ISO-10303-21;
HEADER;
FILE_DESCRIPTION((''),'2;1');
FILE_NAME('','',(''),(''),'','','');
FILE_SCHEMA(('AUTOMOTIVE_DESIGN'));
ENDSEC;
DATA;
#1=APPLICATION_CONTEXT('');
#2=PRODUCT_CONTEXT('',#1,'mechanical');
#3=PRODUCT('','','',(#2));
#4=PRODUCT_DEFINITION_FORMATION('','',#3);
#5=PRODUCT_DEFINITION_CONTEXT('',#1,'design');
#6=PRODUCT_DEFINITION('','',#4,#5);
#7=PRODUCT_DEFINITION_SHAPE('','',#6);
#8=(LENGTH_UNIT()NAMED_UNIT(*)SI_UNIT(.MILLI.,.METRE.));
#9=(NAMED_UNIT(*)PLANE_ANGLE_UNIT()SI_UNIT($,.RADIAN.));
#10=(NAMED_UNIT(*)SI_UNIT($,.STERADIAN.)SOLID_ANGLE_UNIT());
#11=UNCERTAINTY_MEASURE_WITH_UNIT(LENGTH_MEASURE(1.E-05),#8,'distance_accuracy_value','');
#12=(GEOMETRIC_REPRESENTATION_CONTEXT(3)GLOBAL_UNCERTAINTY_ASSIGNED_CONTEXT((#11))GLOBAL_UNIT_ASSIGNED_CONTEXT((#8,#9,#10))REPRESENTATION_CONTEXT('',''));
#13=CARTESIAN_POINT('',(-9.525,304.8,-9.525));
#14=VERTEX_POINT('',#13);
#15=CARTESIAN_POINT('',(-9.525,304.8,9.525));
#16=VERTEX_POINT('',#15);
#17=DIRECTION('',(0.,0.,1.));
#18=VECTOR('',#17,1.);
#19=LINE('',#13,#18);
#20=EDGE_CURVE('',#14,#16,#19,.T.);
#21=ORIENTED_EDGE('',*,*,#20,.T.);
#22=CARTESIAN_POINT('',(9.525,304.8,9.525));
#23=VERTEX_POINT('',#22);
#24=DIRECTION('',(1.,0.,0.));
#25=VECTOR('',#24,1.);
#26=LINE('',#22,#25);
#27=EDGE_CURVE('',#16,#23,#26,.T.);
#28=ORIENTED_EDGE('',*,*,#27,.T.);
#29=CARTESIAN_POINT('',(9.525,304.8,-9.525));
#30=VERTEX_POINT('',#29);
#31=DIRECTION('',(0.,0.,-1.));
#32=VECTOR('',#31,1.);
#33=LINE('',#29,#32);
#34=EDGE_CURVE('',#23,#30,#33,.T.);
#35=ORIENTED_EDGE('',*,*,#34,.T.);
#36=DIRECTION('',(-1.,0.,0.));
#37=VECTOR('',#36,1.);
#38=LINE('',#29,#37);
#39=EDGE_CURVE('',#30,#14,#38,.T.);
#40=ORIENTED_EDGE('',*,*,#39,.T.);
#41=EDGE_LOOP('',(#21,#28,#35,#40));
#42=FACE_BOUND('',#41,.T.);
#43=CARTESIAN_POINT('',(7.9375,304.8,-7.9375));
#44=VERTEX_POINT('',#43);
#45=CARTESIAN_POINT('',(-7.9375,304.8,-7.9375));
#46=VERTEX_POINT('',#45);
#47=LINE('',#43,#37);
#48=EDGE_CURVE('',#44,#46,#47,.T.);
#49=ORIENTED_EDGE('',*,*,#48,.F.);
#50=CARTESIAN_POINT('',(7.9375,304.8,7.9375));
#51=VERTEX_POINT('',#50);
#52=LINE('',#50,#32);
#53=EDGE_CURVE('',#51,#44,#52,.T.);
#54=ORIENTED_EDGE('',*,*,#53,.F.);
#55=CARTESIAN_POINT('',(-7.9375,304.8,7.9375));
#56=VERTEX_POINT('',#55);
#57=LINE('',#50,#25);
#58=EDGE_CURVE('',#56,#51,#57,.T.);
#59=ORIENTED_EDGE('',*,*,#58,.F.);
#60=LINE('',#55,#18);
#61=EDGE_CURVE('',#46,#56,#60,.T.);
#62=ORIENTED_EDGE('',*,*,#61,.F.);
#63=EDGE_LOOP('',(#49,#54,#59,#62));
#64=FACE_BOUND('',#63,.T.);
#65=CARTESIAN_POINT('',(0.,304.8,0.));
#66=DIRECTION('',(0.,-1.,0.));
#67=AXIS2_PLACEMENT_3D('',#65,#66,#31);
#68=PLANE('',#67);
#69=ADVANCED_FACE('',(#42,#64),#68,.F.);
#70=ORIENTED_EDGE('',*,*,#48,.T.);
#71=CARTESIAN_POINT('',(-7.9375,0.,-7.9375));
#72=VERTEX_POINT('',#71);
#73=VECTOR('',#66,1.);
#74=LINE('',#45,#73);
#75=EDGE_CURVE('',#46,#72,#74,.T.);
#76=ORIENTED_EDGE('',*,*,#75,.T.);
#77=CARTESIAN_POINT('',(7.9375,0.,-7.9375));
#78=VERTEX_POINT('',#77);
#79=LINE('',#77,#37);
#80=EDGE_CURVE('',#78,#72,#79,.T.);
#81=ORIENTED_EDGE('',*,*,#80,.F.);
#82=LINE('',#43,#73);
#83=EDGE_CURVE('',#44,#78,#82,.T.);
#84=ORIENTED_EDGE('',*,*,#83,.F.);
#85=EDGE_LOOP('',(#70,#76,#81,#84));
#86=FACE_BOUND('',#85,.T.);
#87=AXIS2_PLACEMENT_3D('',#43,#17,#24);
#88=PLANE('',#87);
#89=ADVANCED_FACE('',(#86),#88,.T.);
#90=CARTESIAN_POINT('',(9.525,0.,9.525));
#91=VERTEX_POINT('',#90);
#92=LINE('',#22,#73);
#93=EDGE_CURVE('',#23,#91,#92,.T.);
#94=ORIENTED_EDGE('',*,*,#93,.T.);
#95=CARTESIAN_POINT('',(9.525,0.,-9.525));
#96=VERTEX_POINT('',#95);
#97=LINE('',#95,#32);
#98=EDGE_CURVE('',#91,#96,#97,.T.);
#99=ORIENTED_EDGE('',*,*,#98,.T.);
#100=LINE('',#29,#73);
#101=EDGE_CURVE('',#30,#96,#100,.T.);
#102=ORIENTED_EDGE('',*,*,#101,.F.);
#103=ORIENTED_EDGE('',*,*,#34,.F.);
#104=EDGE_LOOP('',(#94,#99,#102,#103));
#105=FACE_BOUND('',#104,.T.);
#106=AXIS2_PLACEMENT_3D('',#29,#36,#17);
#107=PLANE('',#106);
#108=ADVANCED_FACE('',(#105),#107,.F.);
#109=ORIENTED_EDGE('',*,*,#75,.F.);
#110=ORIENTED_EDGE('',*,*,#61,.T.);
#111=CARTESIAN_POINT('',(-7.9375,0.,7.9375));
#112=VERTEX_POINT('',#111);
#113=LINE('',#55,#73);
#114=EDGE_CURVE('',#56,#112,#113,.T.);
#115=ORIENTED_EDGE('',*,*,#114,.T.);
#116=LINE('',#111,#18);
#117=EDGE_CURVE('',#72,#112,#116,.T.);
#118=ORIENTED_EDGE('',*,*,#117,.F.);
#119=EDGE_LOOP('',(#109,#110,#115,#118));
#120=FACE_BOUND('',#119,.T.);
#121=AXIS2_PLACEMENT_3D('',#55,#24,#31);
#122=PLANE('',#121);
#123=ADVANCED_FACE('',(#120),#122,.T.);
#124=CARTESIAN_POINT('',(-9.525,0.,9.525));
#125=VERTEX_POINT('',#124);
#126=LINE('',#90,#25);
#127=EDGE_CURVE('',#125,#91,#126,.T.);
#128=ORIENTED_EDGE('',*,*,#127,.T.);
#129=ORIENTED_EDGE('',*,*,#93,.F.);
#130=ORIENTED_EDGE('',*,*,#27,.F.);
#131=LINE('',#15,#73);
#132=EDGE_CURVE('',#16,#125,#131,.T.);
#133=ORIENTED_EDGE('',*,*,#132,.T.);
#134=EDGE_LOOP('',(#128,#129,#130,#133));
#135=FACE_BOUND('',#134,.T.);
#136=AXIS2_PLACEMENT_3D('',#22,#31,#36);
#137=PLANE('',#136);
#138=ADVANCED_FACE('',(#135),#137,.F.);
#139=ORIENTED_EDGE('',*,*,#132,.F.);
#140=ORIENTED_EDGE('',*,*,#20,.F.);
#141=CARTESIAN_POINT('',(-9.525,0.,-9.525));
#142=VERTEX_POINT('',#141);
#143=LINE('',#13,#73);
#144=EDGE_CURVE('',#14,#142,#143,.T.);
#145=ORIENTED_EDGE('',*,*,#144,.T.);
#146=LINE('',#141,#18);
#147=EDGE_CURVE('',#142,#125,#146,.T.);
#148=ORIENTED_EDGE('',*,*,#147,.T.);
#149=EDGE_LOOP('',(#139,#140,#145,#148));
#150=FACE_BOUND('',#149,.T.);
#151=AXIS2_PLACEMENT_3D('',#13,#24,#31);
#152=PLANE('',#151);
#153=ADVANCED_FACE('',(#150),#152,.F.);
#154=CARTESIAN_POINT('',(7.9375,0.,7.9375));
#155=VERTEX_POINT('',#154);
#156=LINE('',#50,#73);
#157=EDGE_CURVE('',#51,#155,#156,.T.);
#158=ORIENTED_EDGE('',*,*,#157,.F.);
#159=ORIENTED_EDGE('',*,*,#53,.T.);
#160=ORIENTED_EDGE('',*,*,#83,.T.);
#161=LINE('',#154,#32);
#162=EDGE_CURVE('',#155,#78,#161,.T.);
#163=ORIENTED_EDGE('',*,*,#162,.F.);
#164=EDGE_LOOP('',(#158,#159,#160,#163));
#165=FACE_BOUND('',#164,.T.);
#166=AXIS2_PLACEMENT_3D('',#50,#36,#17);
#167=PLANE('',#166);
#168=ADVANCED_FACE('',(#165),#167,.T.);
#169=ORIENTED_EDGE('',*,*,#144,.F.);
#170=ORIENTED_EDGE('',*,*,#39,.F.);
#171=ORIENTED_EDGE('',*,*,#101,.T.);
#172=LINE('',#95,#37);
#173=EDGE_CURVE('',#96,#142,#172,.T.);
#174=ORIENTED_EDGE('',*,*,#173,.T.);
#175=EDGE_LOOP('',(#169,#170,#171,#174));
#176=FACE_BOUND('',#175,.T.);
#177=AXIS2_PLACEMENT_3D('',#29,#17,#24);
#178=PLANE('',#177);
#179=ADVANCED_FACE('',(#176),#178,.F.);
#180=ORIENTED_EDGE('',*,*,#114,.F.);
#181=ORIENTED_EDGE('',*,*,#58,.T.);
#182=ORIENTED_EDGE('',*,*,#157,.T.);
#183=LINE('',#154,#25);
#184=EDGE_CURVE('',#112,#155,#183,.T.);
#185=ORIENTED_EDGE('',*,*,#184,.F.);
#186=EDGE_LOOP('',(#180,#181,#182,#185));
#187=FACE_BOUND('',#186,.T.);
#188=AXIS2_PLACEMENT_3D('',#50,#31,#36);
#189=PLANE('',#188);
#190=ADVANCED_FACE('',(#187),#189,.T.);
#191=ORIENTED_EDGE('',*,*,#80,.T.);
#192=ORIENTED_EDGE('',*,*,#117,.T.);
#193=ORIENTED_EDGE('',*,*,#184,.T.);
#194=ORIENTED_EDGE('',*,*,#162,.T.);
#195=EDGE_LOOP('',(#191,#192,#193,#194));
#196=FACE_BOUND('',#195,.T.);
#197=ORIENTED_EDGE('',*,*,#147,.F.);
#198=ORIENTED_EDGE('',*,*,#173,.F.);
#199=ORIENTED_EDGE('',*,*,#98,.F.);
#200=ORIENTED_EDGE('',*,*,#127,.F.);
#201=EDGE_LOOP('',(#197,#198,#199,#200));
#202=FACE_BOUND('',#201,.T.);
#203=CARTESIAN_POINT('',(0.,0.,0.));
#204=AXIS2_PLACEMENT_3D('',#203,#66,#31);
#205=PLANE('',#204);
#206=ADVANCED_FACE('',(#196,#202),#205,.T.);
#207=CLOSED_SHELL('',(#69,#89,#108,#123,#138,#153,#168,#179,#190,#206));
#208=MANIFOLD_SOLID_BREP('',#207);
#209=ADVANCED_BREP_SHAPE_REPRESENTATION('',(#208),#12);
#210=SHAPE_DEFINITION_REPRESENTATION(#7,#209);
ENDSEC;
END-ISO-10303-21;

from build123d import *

# Parameters (mm, degrees)
SKETCH1_W           = 19.05
SKETCH1_H           = 19.05
SKETCH1_W_2         = 15.875
SKETCH1_H_2         = 15.875
BOSS_EXTRUDE1_DEPTH = 304.8


with BuildPart() as part:
    # Sketch1 → Boss-Extrude1 (new body)
    with BuildSketch(Plane(origin=(0, 0, 0), x_dir=(1, 0, 0), z_dir=(0, 1, 0))):
        Rectangle(SKETCH1_W, SKETCH1_H)
        Rectangle(SKETCH1_W_2, SKETCH1_H_2, mode=Mode.SUBTRACT)
    extrude(amount=BOSS_EXTRUDE1_DEPTH)


solid = part.part
